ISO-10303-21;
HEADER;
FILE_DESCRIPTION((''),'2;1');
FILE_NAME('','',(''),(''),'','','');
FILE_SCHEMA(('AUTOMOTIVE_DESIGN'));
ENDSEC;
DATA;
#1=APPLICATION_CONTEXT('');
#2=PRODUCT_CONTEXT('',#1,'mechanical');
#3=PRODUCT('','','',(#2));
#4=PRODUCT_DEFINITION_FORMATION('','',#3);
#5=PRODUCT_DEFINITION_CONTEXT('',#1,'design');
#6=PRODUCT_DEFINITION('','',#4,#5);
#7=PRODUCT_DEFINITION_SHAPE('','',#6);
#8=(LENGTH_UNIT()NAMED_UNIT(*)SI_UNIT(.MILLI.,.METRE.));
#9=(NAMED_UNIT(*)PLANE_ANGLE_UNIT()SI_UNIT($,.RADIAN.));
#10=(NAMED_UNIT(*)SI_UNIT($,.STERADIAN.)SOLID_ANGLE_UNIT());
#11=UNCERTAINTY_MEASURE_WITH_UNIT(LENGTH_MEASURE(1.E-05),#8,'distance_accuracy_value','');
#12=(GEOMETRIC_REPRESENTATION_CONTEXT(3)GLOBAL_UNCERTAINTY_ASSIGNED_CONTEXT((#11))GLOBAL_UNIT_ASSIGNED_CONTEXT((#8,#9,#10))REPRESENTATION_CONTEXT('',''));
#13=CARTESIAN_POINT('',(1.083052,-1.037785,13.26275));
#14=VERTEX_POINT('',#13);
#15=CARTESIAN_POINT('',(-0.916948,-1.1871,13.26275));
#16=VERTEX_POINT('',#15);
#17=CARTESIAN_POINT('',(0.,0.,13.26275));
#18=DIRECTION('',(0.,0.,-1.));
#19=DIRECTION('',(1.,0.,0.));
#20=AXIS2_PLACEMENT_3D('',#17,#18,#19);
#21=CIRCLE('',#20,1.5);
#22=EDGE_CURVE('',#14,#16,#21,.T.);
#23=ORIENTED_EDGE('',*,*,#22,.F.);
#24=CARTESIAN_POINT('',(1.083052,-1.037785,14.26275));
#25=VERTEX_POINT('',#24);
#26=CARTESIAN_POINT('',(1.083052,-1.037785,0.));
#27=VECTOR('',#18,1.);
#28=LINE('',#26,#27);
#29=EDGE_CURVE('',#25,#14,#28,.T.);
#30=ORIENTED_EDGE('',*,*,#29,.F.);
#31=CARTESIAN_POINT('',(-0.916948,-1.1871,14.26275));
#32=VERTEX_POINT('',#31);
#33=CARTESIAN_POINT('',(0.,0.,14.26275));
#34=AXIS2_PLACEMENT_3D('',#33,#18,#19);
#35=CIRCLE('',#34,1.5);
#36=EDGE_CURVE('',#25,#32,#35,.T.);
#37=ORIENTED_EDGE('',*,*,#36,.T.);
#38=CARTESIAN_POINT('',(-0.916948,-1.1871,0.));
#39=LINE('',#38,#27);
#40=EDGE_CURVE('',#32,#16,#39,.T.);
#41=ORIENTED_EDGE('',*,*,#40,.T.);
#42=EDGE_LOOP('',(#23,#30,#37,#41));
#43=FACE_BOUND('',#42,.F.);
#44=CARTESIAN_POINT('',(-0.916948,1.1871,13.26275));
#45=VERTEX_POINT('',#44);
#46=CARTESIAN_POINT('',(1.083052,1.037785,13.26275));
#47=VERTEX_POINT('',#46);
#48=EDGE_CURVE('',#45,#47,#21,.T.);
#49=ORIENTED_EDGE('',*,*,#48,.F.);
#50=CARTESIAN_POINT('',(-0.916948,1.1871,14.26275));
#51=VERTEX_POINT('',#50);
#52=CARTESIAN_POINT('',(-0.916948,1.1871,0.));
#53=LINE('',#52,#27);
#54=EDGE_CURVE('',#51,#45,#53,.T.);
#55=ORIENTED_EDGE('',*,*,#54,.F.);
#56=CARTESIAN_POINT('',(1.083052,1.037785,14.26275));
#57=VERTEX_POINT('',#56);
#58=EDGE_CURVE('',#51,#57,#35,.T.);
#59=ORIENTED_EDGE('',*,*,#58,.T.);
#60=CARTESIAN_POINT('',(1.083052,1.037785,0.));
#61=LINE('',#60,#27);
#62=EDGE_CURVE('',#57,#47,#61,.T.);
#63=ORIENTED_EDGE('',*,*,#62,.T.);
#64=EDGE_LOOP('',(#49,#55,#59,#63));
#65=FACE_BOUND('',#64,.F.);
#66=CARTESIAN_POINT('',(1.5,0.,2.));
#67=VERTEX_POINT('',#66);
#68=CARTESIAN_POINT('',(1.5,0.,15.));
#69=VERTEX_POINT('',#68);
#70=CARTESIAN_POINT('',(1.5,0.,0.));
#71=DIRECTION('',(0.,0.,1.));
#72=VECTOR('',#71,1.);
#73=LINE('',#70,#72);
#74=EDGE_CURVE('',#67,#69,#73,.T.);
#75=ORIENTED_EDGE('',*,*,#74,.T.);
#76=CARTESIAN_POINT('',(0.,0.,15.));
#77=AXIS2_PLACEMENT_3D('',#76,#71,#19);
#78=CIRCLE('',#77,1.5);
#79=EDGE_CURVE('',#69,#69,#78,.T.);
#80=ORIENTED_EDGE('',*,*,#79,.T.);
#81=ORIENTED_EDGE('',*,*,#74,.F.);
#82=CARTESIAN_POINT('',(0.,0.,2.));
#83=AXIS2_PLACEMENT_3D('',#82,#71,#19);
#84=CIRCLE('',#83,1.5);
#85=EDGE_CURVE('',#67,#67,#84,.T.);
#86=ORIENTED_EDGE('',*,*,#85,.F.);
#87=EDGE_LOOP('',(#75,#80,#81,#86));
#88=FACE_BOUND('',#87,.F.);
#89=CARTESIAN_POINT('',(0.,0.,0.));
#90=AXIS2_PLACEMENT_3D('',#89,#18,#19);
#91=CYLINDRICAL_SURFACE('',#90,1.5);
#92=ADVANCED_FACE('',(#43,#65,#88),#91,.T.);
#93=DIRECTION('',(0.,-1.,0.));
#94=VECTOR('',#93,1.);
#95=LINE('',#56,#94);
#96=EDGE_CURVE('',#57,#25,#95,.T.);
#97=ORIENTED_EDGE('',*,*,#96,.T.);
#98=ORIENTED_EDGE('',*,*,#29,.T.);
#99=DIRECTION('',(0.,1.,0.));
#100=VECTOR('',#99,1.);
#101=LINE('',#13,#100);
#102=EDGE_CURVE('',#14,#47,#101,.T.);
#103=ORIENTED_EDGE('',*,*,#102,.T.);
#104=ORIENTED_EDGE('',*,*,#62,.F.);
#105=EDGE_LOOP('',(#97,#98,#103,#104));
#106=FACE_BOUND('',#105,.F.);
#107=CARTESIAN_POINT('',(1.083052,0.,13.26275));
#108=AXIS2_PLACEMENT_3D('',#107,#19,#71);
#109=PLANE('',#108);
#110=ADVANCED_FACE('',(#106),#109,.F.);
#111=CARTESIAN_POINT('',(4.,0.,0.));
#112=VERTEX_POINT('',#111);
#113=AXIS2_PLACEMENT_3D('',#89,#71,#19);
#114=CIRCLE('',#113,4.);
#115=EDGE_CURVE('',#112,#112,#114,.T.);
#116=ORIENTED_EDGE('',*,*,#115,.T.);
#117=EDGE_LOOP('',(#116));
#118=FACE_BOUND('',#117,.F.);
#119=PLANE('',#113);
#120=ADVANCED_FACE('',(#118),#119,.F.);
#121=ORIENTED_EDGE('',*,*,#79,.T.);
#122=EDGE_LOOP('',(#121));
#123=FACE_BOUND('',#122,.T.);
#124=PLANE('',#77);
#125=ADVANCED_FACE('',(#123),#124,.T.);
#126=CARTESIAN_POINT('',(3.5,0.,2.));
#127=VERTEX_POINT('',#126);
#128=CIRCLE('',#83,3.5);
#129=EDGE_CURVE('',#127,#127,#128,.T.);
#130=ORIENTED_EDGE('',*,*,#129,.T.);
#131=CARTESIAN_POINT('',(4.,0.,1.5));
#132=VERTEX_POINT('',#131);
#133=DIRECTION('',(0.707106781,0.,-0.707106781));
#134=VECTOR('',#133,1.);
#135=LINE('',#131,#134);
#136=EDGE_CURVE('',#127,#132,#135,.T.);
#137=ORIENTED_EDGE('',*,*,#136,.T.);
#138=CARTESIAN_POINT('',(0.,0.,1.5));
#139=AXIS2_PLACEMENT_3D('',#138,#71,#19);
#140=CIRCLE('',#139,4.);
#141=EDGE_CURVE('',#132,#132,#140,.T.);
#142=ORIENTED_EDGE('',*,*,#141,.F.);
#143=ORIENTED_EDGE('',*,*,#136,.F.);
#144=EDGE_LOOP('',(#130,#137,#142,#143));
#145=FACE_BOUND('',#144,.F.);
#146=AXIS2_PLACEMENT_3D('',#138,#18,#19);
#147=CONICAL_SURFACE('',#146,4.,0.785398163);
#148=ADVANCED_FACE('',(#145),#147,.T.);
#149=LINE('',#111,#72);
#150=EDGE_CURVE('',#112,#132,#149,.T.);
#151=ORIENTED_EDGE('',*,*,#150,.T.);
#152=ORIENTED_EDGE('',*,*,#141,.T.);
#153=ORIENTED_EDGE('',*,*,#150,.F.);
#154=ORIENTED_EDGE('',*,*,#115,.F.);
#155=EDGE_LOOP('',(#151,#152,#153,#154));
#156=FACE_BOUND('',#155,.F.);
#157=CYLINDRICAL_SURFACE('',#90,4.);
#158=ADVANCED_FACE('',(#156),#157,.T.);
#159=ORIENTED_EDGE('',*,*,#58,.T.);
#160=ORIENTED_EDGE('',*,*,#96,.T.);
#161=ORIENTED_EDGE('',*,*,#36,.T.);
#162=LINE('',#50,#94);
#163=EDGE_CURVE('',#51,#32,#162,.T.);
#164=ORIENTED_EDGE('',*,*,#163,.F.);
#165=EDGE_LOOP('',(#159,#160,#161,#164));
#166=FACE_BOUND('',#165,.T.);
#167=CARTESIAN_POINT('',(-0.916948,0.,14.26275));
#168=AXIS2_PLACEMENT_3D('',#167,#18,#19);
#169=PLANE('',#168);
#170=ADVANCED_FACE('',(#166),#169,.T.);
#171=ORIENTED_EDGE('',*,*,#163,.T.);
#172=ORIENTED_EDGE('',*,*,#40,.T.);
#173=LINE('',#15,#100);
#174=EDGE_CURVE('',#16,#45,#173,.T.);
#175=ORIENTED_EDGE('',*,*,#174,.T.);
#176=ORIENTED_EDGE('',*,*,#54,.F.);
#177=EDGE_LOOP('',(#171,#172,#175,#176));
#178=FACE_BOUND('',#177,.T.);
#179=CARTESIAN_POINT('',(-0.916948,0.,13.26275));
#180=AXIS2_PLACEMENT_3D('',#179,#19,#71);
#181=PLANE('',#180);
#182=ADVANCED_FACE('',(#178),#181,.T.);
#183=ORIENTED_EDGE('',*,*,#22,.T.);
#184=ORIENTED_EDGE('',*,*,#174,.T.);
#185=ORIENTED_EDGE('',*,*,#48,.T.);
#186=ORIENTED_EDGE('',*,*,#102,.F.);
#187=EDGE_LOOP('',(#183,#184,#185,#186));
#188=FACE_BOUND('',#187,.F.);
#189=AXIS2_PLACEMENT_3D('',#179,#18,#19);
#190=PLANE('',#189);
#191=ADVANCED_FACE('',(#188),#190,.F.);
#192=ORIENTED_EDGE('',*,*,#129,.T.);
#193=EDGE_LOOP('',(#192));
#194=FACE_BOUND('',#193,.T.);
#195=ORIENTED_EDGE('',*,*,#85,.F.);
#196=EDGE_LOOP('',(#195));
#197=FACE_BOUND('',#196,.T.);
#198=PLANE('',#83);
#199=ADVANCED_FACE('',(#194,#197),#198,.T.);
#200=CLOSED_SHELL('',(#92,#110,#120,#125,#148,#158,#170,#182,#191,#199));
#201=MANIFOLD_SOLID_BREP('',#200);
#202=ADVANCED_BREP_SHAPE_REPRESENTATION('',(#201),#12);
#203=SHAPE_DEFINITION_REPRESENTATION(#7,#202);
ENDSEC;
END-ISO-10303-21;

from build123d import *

# Parameters (mm, degrees)
F0_R     = 4
F0_R_2   = 1.5
F1_DEPTH = 2
F2_DEPTH = 15
F3_SIZE  = 0.5
F4_W     = 2
F4_H     = 1
F5_DEPTH = 4.001
F6_DEPTH = 25.4


with BuildPart() as f1:
    # F0 (on Top) → F1 (new body)
    with BuildSketch(Plane.XY):
        Circle(F0_R)
        Circle(F0_R_2, mode=Mode.SUBTRACT)
    extrude(amount=F1_DEPTH)

    # F0 (on Top) → F2 (join)
    with BuildSketch(Plane.XY):
        Circle(F0_R_2)
    extrude(amount=F2_DEPTH)

    # F3
    f3_edges = [f1.edges().sort_by_distance(p)[0] for p in [
        (-4, 0, 2),
    ]]
    chamfer(f3_edges, length=F3_SIZE)

    # F4 (on Front) → F5 (cut, through all)
    with BuildSketch(Plane.XZ):
        with Locations((0.083052, 13.76275)):
            Rectangle(F4_W, F4_H)
    extrude(amount=-F5_DEPTH, mode=Mode.SUBTRACT)

    # F4 (on Front) → F6 (cut)
    with BuildSketch(Plane.XZ):
        with Locations((0.083052, 13.76275)):
            Rectangle(F4_W, F4_H)
    extrude(amount=F6_DEPTH, mode=Mode.SUBTRACT)


solid = f1.part
